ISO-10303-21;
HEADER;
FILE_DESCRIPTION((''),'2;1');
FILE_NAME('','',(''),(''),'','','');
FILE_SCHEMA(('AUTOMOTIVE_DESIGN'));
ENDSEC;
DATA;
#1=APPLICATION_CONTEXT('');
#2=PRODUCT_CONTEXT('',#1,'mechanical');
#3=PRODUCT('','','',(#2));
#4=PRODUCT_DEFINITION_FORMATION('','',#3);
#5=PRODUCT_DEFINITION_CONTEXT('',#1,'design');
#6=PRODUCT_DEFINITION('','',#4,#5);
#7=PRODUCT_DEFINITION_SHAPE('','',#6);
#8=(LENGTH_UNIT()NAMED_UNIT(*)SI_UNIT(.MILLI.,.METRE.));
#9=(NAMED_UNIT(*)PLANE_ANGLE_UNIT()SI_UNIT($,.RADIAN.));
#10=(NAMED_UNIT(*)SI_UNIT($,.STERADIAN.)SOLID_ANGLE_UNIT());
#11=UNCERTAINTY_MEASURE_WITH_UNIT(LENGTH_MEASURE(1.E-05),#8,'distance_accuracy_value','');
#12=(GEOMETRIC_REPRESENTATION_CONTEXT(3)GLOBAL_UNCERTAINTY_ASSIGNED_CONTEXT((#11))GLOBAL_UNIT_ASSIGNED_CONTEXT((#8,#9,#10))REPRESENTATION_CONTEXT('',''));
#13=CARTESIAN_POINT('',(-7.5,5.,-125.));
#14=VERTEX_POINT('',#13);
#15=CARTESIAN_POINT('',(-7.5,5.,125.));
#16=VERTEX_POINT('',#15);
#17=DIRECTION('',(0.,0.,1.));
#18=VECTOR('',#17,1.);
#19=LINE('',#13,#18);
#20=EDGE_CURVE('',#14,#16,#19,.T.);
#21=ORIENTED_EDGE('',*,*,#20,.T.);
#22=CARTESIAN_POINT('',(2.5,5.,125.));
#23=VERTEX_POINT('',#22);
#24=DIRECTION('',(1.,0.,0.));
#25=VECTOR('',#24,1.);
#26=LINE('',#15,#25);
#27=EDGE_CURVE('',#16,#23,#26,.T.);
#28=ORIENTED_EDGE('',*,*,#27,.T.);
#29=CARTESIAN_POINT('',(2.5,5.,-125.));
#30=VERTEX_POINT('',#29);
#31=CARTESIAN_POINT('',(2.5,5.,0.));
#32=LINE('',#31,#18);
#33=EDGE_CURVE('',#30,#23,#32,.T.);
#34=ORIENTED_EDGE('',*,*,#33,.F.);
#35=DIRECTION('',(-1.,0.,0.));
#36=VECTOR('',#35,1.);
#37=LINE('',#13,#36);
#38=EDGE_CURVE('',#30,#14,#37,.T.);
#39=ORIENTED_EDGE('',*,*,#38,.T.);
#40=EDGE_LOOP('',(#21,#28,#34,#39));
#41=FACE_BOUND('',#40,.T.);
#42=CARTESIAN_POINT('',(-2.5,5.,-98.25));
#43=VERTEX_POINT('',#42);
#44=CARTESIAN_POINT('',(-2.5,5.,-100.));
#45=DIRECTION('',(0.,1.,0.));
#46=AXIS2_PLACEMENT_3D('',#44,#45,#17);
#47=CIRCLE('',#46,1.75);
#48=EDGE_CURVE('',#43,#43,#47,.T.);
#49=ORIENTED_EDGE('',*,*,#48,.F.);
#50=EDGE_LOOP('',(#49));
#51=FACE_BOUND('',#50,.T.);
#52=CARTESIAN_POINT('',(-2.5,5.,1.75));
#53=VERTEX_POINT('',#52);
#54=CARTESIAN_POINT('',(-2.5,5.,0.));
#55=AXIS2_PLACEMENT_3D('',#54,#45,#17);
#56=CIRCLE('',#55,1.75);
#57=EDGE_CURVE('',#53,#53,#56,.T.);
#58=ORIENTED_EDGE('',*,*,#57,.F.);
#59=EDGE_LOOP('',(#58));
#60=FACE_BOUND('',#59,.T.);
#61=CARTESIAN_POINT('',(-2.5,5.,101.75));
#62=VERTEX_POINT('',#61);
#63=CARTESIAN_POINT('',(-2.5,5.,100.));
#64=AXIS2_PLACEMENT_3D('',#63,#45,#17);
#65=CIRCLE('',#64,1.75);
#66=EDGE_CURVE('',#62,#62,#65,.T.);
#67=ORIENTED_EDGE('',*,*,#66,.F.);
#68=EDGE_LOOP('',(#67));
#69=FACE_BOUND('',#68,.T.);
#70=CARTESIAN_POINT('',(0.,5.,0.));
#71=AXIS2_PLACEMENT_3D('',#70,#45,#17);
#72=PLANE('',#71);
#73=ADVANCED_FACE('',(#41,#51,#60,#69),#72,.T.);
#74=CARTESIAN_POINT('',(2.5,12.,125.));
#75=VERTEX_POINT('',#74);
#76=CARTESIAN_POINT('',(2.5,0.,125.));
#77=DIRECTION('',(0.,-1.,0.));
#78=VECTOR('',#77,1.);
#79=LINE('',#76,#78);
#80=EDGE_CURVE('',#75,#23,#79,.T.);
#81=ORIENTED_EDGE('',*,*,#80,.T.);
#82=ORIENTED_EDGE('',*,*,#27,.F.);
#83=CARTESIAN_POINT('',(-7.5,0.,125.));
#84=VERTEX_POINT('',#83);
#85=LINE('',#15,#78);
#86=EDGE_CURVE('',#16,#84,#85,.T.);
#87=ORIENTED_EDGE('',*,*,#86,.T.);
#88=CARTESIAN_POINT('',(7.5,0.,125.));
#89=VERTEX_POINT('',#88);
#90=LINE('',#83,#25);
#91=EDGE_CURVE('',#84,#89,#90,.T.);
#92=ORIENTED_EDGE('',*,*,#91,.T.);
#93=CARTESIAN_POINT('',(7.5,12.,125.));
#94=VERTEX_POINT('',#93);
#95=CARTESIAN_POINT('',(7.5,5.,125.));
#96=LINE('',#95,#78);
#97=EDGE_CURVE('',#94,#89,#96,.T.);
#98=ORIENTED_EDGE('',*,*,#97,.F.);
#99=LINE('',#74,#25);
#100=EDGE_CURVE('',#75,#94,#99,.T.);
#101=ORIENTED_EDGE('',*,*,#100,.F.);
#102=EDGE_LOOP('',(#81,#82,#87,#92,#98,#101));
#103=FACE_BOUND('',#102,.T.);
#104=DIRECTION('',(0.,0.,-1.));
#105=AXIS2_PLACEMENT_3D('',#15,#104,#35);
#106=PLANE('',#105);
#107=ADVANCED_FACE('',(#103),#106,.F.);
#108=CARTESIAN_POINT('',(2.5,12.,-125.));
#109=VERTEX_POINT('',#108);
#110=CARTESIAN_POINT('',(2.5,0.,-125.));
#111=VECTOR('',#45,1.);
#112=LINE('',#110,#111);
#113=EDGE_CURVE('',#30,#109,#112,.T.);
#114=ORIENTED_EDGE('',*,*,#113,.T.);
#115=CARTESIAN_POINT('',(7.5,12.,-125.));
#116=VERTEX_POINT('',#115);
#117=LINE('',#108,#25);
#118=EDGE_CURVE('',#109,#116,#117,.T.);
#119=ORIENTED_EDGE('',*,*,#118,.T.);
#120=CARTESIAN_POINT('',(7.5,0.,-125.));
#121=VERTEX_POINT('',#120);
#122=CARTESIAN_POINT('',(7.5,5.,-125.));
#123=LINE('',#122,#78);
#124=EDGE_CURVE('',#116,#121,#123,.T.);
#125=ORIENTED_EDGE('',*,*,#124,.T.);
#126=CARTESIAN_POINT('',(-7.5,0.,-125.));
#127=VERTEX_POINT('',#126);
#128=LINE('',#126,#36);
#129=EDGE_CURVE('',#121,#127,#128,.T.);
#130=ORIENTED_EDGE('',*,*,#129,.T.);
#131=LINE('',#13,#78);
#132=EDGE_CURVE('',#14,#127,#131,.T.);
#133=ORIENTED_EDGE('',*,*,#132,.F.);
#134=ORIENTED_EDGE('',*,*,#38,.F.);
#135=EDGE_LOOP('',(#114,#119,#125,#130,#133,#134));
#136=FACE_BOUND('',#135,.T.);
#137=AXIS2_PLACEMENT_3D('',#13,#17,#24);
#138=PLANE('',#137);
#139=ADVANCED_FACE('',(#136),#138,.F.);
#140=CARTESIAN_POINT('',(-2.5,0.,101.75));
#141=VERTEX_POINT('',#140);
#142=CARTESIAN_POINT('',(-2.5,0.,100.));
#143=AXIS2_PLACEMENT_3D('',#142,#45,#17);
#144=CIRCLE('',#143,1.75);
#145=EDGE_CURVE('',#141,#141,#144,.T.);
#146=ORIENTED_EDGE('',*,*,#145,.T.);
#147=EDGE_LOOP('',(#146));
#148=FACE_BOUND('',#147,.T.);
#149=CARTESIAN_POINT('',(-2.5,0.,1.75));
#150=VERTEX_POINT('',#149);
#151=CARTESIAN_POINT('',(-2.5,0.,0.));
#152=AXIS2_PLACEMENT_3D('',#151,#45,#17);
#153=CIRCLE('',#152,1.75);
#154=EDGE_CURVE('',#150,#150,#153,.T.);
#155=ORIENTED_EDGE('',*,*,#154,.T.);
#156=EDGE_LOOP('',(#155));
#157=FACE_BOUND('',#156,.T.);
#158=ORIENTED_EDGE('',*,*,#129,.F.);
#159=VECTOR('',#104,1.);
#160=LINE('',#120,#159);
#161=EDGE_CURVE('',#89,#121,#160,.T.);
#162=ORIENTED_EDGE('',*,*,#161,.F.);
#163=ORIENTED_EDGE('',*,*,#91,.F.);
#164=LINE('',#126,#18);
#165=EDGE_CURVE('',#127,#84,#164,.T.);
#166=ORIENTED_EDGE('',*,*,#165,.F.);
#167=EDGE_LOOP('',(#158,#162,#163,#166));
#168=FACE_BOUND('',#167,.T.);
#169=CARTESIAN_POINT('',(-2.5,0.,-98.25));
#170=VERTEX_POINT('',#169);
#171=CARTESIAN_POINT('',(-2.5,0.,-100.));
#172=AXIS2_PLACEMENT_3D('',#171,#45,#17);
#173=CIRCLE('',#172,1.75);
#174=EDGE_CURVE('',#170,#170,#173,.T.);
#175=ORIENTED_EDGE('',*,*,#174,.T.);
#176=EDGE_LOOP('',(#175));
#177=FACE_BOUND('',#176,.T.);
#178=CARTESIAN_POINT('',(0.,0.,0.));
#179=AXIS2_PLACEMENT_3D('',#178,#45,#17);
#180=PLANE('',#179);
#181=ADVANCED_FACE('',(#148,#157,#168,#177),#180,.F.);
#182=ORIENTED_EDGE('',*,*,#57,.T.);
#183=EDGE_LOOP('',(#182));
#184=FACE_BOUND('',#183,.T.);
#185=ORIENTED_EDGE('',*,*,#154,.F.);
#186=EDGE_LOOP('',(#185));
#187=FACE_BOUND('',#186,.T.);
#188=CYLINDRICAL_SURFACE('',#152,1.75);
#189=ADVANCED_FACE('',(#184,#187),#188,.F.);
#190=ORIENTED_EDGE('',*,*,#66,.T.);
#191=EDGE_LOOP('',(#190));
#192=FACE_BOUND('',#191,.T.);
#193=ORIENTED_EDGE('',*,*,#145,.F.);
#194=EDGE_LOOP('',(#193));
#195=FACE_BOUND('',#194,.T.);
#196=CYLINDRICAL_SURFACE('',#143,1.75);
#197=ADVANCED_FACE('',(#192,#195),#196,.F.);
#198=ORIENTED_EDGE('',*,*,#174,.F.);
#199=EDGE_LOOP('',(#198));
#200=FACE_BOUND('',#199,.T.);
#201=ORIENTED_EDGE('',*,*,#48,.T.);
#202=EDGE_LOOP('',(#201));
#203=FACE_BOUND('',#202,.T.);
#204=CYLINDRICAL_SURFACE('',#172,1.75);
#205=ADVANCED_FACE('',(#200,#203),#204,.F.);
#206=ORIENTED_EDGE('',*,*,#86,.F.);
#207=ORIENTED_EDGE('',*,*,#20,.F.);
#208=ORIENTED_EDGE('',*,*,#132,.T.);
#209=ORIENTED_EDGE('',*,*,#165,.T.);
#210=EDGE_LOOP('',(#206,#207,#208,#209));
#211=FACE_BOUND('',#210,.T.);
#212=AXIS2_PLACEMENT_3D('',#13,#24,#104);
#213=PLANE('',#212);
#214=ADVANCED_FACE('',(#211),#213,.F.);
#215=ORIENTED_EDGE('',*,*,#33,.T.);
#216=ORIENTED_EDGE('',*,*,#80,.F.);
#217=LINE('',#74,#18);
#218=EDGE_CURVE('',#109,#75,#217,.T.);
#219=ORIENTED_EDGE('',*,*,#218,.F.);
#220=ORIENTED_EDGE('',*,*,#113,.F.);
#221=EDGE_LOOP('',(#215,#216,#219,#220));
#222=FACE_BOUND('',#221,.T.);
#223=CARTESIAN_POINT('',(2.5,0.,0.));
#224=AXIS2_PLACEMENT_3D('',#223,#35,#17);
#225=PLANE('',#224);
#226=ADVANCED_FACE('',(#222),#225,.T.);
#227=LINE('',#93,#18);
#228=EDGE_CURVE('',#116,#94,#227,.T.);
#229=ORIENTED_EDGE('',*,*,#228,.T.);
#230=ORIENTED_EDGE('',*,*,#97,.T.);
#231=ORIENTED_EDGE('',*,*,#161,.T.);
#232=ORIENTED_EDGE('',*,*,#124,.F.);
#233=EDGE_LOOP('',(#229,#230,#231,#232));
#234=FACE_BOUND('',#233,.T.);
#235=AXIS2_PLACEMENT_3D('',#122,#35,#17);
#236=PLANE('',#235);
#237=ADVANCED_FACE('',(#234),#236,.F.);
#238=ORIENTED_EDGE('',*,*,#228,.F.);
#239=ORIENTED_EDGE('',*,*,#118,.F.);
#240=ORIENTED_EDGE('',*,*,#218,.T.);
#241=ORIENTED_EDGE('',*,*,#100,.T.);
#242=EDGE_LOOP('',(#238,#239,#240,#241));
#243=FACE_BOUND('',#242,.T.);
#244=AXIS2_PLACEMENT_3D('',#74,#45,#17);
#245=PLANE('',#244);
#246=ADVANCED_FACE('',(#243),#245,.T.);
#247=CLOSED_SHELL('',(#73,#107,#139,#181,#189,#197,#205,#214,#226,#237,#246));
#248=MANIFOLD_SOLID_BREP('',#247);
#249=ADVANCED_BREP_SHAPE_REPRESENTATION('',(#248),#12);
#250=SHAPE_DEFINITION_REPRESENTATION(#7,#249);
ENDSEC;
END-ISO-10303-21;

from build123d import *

# Parameters (mm, degrees)
SKETCH_1_W          = 15
SKETCH_1_H          = 250
EXTRUDE_1_DEPTH     = 5
SKETCH_2_W          = 250
SKETCH_2_H          = 12
EXTRUDE_2_DEPTH     = 5
SKETCH_3_R          = 1.75
CUT_EXTRUDE_1_DEPTH = 5


with BuildPart() as part:
    # 草图1 → 凸台-拉伸1 (new body)
    with BuildSketch(Plane(origin=(0, 0, 0), x_dir=(1, 0, 0), z_dir=(0, 1, 0))):
        Rectangle(SKETCH_1_W, SKETCH_1_H)
    extrude(amount=EXTRUDE_1_DEPTH)

    # 草图2 → 凸台-拉伸2 (add)
    with BuildSketch(Plane(origin=(7.5, 0, 0), x_dir=(0, 0, -1), z_dir=(1, 0, 0))):
        with Locations((0, 6)):
            Rectangle(SKETCH_2_W, SKETCH_2_H)
    extrude(amount=-EXTRUDE_2_DEPTH)

    # 草图3 → 切除-拉伸1 (cut)
    with BuildSketch(Plane(origin=(0, 5, 0), x_dir=(1, 0, 0), z_dir=(0, 1, 0))):
        with Locations(Location((-2.5, 100, 0), (0, 0, 270))):
            Circle(SKETCH_3_R)
        with Locations(Location((-2.5, 0, 0), (0, 0, 270))):
            Circle(SKETCH_3_R)
        with Locations(Location((-2.5, -100, 0), (0, 0, 270))):
            Circle(SKETCH_3_R)
    extrude(amount=-CUT_EXTRUDE_1_DEPTH, mode=Mode.SUBTRACT)


solid = part.part
